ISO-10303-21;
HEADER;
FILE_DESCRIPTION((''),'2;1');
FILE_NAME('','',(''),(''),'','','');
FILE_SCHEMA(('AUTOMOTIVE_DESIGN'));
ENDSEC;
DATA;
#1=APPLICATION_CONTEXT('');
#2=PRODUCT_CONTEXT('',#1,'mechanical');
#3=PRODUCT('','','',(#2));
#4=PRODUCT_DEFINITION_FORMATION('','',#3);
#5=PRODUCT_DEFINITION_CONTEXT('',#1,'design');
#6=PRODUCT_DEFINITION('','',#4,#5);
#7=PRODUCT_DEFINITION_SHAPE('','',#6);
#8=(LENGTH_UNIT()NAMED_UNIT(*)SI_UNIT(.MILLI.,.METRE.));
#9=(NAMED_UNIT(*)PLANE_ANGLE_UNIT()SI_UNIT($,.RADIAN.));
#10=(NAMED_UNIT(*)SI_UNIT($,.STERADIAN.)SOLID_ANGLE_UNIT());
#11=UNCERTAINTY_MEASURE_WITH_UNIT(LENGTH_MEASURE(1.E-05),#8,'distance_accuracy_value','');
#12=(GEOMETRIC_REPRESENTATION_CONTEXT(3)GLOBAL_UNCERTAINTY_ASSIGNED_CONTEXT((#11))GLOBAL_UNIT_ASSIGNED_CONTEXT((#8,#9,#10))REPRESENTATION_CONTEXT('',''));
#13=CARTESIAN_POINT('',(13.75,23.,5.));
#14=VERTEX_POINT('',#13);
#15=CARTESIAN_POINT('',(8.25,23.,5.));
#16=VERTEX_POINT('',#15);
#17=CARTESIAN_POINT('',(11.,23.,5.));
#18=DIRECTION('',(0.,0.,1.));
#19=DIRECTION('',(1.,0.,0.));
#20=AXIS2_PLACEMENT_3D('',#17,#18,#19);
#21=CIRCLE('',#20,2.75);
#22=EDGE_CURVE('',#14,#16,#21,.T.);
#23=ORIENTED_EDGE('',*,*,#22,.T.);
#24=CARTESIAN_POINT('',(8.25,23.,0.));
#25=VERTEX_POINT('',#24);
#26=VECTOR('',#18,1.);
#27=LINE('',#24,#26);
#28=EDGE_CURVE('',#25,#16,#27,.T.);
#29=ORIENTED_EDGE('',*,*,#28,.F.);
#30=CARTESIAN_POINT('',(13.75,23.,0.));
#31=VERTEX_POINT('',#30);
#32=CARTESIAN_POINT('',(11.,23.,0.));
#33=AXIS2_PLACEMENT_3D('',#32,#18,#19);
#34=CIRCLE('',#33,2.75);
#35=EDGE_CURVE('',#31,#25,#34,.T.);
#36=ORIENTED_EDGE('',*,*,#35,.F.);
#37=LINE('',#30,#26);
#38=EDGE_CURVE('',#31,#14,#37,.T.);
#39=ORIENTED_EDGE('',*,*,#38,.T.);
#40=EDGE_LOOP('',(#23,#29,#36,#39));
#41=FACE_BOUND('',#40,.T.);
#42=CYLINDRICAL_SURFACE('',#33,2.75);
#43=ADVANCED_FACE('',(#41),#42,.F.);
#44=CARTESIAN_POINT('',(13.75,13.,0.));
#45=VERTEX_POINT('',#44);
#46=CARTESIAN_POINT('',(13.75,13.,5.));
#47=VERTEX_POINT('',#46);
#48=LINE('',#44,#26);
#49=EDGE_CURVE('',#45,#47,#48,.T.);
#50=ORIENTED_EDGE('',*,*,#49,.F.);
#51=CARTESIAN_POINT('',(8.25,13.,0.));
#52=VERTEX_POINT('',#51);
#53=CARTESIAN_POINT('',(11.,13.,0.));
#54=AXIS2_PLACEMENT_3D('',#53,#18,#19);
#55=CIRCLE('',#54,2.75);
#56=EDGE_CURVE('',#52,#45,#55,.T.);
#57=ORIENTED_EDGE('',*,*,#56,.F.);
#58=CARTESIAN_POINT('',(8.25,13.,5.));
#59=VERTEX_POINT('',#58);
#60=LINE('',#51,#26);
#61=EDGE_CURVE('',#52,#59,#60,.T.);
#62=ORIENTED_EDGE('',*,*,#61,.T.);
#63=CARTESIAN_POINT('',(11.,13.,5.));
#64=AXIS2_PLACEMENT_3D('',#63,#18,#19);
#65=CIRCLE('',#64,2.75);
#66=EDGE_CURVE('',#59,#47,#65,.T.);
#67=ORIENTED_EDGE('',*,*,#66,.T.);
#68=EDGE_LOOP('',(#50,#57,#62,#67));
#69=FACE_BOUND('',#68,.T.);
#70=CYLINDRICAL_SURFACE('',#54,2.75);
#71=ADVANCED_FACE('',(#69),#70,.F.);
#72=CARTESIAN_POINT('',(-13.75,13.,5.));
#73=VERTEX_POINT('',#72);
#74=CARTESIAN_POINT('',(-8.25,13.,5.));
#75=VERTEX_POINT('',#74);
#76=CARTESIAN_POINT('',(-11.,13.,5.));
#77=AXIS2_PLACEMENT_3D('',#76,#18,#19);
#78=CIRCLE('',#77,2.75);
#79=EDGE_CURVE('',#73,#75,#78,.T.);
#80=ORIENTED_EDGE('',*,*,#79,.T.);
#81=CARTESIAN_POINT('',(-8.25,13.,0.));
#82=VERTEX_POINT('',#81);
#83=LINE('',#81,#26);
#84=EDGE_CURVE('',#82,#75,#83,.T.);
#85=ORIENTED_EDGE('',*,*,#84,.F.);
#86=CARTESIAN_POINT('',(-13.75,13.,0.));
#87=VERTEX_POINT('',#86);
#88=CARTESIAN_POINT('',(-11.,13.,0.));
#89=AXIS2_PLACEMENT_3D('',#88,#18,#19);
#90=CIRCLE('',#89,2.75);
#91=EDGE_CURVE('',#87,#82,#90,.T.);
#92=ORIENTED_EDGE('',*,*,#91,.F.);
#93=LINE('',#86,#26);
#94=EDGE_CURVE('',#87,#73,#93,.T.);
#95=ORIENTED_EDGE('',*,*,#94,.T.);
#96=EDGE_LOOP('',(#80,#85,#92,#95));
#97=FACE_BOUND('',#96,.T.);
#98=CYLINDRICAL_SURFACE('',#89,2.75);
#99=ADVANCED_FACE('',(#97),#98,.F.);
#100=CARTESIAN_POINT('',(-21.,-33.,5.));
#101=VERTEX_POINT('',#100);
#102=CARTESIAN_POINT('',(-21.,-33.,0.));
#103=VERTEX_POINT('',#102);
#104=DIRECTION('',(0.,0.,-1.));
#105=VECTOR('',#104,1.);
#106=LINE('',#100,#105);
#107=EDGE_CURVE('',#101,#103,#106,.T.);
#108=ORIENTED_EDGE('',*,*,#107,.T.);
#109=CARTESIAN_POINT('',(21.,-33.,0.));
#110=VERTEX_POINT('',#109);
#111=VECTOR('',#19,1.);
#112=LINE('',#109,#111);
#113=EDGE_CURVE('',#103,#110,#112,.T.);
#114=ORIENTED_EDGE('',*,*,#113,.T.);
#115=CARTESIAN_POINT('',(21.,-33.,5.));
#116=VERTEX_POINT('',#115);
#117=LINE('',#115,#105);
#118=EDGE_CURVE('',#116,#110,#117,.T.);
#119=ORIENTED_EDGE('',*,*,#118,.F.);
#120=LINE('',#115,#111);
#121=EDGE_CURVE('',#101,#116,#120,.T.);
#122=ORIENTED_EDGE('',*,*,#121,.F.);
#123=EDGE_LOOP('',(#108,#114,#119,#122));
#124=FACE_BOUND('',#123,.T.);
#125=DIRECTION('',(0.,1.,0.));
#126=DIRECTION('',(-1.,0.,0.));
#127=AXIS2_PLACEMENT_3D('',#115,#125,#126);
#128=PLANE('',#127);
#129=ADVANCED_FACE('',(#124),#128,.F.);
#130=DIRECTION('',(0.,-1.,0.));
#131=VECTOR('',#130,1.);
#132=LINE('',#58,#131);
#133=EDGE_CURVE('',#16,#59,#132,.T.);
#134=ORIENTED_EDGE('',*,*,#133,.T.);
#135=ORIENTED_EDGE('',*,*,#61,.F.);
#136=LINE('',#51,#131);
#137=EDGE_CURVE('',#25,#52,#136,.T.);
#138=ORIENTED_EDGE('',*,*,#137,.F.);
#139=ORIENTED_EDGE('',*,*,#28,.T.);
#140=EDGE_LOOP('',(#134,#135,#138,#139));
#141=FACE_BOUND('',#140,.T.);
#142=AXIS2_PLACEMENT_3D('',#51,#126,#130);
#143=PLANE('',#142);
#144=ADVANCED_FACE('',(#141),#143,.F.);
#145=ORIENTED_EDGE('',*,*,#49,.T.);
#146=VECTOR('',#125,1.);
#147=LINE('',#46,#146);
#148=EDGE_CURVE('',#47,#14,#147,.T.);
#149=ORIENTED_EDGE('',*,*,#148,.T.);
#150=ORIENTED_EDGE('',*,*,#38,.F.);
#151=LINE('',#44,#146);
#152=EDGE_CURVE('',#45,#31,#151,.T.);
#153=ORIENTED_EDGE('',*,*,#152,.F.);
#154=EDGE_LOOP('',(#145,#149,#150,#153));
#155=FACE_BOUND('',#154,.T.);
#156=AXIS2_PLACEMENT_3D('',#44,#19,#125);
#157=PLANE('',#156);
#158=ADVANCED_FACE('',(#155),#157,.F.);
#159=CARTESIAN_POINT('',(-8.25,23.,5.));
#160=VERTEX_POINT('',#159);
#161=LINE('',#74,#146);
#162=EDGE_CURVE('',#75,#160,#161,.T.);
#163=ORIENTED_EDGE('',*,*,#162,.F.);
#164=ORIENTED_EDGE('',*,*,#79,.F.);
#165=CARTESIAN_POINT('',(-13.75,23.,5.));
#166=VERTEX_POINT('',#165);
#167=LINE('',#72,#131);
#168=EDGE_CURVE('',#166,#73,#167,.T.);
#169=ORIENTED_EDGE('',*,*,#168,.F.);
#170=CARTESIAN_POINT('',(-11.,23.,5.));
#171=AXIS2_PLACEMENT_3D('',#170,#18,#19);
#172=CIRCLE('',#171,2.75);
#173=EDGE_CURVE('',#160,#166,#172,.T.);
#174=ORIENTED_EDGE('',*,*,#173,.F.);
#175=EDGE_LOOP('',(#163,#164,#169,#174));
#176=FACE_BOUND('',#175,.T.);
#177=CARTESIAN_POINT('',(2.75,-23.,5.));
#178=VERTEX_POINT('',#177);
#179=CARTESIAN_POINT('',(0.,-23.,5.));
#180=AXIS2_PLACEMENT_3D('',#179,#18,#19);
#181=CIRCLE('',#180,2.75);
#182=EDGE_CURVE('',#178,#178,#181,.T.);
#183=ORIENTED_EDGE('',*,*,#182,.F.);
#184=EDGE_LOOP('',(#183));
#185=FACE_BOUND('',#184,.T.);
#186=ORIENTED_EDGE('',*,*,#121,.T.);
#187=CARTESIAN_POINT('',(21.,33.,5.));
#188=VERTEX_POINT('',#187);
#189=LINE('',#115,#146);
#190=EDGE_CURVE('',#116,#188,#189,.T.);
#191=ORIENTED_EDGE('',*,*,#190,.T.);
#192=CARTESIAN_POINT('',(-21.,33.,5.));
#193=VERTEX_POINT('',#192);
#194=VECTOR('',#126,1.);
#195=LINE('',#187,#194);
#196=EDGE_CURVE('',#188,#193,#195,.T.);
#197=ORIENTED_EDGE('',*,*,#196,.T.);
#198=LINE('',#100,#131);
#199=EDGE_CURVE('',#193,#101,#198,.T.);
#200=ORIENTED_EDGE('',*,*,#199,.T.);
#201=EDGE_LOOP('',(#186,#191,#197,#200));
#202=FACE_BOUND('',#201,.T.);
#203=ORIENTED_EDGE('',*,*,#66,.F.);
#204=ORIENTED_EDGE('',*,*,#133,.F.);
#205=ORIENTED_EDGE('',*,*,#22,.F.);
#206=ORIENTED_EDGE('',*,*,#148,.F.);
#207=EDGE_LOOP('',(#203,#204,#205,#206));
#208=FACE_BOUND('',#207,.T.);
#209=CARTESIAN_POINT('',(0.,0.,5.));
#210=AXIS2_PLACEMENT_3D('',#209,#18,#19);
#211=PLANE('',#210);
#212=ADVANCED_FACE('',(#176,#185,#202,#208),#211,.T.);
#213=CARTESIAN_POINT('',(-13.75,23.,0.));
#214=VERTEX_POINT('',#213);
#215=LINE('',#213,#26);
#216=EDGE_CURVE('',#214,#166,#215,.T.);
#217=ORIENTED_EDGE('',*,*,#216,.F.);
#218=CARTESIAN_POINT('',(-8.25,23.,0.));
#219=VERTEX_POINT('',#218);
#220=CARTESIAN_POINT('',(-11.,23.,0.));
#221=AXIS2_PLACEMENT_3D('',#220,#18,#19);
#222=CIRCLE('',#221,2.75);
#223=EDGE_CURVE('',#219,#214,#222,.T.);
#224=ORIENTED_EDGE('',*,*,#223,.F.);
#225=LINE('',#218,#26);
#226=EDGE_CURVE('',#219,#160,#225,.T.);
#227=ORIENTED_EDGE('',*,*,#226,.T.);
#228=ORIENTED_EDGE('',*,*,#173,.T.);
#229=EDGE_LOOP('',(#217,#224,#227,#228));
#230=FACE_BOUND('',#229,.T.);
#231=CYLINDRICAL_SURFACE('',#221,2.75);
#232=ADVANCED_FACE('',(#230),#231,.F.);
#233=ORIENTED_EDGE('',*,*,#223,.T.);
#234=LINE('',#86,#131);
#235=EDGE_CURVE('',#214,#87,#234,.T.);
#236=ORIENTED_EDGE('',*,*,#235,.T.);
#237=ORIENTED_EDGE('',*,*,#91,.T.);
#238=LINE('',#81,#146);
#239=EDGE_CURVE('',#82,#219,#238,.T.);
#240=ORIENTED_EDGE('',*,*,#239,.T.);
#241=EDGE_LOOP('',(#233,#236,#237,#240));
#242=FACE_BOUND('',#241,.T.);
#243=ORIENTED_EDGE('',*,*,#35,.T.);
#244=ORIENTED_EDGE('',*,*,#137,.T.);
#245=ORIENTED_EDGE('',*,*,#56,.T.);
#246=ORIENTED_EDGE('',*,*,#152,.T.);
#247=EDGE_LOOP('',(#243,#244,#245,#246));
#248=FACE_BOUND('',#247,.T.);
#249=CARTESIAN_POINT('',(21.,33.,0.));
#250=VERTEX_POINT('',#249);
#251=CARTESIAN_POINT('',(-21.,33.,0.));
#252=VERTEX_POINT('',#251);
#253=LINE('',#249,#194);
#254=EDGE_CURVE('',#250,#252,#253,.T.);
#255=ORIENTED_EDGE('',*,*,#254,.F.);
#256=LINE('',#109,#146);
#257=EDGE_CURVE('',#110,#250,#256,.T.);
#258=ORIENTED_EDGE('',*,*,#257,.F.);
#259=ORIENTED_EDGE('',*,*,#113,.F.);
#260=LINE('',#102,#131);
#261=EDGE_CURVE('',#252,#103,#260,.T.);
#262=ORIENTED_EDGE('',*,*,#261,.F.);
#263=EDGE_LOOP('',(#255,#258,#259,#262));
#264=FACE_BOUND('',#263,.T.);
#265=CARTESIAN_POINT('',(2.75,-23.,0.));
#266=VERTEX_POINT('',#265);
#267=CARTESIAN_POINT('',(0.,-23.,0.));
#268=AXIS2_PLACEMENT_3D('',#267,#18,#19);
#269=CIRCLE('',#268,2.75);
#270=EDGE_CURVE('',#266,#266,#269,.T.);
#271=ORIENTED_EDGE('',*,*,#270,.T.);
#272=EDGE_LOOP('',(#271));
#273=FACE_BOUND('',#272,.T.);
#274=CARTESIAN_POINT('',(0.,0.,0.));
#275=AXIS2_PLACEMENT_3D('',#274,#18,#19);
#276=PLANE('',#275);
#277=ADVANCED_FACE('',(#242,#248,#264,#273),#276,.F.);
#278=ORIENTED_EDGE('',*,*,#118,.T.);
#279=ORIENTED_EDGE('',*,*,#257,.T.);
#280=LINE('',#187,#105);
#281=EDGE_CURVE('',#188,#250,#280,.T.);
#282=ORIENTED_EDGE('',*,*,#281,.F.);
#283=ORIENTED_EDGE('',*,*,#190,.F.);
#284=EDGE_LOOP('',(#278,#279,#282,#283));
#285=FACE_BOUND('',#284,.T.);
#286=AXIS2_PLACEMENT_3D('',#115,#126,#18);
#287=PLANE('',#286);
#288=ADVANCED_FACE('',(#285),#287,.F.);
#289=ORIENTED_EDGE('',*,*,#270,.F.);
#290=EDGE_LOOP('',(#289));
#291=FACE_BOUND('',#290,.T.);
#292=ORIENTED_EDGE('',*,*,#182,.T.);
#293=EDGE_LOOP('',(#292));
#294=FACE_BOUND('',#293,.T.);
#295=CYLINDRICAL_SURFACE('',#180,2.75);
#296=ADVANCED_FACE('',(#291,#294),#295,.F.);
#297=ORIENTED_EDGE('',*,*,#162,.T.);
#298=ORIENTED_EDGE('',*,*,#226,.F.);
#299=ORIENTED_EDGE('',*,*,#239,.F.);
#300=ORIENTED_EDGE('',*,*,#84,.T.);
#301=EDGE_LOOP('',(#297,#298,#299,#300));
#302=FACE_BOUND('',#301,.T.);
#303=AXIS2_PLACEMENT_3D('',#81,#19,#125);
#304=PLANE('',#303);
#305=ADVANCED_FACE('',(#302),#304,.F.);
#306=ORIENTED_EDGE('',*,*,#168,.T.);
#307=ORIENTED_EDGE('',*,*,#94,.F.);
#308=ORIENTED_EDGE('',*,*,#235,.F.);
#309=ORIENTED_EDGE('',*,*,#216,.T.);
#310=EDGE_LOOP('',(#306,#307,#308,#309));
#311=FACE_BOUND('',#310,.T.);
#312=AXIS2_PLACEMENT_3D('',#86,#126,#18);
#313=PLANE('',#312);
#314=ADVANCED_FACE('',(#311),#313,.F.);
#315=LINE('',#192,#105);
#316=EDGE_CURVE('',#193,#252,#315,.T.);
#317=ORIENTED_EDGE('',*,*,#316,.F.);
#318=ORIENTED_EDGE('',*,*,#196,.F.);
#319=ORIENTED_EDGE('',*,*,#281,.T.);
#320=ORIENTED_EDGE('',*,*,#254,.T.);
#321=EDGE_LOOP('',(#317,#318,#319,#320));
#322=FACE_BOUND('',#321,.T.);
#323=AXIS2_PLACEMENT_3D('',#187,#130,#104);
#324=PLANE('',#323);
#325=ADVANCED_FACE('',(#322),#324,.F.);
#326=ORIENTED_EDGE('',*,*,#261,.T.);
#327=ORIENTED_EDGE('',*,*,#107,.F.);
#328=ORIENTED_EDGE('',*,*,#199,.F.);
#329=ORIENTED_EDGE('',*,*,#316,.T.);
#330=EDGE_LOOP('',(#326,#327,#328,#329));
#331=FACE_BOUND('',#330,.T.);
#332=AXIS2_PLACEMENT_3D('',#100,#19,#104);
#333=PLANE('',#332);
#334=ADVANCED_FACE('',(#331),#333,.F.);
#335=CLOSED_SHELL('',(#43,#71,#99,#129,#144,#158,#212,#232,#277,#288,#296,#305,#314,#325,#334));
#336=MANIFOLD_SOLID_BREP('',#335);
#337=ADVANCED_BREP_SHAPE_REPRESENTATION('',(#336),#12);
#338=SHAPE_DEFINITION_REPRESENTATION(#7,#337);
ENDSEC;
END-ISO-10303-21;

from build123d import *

# Parameters (mm, degrees)
SKETCH1_W           = 42
SKETCH1_H           = 66
BOSS_EXTRUDE1_DEPTH = 5
D_GAGEMENT_M51_D    = 5.5
CUT_EXTRUDE1_DEPTH  = 40.433488306


with BuildPart() as part:
    # Sketch1 → Boss-Extrude1 (new body)
    with BuildSketch(Plane.XY):
        Rectangle(SKETCH1_W, SKETCH1_H)
    extrude(amount=BOSS_EXTRUDE1_DEPTH)

    # Dégagement M51 (through all)
    with Locations(Plane.XY.offset(5)):
        with Locations((11, 18), (-11, 18), (0, -23)):
            Hole(D_GAGEMENT_M51_D / 2)

    # Sketch5 → Cut-Extrude1 (cut, through all)
    with BuildSketch(Plane.XY.offset(5)):
        with BuildLine():
            Line((-13.75, 13), (-13.75, 23))
            ThreePointArc((-13.75, 23), (-11, 25.75), (-8.25, 23))
            Line((-8.25, 23), (-8.25, 13))
            ThreePointArc((-8.25, 13), (-11, 10.25), (-13.75, 13))
        make_face()
        with BuildLine():
            Line((8.25, 13), (8.25, 23))
            ThreePointArc((8.25, 23), (11, 25.75), (13.75, 23))
            Line((13.75, 23), (13.75, 13))
            ThreePointArc((13.75, 13), (11, 10.25), (8.25, 13))
        make_face()
    extrude(amount=-CUT_EXTRUDE1_DEPTH, mode=Mode.SUBTRACT)


solid = part.part
